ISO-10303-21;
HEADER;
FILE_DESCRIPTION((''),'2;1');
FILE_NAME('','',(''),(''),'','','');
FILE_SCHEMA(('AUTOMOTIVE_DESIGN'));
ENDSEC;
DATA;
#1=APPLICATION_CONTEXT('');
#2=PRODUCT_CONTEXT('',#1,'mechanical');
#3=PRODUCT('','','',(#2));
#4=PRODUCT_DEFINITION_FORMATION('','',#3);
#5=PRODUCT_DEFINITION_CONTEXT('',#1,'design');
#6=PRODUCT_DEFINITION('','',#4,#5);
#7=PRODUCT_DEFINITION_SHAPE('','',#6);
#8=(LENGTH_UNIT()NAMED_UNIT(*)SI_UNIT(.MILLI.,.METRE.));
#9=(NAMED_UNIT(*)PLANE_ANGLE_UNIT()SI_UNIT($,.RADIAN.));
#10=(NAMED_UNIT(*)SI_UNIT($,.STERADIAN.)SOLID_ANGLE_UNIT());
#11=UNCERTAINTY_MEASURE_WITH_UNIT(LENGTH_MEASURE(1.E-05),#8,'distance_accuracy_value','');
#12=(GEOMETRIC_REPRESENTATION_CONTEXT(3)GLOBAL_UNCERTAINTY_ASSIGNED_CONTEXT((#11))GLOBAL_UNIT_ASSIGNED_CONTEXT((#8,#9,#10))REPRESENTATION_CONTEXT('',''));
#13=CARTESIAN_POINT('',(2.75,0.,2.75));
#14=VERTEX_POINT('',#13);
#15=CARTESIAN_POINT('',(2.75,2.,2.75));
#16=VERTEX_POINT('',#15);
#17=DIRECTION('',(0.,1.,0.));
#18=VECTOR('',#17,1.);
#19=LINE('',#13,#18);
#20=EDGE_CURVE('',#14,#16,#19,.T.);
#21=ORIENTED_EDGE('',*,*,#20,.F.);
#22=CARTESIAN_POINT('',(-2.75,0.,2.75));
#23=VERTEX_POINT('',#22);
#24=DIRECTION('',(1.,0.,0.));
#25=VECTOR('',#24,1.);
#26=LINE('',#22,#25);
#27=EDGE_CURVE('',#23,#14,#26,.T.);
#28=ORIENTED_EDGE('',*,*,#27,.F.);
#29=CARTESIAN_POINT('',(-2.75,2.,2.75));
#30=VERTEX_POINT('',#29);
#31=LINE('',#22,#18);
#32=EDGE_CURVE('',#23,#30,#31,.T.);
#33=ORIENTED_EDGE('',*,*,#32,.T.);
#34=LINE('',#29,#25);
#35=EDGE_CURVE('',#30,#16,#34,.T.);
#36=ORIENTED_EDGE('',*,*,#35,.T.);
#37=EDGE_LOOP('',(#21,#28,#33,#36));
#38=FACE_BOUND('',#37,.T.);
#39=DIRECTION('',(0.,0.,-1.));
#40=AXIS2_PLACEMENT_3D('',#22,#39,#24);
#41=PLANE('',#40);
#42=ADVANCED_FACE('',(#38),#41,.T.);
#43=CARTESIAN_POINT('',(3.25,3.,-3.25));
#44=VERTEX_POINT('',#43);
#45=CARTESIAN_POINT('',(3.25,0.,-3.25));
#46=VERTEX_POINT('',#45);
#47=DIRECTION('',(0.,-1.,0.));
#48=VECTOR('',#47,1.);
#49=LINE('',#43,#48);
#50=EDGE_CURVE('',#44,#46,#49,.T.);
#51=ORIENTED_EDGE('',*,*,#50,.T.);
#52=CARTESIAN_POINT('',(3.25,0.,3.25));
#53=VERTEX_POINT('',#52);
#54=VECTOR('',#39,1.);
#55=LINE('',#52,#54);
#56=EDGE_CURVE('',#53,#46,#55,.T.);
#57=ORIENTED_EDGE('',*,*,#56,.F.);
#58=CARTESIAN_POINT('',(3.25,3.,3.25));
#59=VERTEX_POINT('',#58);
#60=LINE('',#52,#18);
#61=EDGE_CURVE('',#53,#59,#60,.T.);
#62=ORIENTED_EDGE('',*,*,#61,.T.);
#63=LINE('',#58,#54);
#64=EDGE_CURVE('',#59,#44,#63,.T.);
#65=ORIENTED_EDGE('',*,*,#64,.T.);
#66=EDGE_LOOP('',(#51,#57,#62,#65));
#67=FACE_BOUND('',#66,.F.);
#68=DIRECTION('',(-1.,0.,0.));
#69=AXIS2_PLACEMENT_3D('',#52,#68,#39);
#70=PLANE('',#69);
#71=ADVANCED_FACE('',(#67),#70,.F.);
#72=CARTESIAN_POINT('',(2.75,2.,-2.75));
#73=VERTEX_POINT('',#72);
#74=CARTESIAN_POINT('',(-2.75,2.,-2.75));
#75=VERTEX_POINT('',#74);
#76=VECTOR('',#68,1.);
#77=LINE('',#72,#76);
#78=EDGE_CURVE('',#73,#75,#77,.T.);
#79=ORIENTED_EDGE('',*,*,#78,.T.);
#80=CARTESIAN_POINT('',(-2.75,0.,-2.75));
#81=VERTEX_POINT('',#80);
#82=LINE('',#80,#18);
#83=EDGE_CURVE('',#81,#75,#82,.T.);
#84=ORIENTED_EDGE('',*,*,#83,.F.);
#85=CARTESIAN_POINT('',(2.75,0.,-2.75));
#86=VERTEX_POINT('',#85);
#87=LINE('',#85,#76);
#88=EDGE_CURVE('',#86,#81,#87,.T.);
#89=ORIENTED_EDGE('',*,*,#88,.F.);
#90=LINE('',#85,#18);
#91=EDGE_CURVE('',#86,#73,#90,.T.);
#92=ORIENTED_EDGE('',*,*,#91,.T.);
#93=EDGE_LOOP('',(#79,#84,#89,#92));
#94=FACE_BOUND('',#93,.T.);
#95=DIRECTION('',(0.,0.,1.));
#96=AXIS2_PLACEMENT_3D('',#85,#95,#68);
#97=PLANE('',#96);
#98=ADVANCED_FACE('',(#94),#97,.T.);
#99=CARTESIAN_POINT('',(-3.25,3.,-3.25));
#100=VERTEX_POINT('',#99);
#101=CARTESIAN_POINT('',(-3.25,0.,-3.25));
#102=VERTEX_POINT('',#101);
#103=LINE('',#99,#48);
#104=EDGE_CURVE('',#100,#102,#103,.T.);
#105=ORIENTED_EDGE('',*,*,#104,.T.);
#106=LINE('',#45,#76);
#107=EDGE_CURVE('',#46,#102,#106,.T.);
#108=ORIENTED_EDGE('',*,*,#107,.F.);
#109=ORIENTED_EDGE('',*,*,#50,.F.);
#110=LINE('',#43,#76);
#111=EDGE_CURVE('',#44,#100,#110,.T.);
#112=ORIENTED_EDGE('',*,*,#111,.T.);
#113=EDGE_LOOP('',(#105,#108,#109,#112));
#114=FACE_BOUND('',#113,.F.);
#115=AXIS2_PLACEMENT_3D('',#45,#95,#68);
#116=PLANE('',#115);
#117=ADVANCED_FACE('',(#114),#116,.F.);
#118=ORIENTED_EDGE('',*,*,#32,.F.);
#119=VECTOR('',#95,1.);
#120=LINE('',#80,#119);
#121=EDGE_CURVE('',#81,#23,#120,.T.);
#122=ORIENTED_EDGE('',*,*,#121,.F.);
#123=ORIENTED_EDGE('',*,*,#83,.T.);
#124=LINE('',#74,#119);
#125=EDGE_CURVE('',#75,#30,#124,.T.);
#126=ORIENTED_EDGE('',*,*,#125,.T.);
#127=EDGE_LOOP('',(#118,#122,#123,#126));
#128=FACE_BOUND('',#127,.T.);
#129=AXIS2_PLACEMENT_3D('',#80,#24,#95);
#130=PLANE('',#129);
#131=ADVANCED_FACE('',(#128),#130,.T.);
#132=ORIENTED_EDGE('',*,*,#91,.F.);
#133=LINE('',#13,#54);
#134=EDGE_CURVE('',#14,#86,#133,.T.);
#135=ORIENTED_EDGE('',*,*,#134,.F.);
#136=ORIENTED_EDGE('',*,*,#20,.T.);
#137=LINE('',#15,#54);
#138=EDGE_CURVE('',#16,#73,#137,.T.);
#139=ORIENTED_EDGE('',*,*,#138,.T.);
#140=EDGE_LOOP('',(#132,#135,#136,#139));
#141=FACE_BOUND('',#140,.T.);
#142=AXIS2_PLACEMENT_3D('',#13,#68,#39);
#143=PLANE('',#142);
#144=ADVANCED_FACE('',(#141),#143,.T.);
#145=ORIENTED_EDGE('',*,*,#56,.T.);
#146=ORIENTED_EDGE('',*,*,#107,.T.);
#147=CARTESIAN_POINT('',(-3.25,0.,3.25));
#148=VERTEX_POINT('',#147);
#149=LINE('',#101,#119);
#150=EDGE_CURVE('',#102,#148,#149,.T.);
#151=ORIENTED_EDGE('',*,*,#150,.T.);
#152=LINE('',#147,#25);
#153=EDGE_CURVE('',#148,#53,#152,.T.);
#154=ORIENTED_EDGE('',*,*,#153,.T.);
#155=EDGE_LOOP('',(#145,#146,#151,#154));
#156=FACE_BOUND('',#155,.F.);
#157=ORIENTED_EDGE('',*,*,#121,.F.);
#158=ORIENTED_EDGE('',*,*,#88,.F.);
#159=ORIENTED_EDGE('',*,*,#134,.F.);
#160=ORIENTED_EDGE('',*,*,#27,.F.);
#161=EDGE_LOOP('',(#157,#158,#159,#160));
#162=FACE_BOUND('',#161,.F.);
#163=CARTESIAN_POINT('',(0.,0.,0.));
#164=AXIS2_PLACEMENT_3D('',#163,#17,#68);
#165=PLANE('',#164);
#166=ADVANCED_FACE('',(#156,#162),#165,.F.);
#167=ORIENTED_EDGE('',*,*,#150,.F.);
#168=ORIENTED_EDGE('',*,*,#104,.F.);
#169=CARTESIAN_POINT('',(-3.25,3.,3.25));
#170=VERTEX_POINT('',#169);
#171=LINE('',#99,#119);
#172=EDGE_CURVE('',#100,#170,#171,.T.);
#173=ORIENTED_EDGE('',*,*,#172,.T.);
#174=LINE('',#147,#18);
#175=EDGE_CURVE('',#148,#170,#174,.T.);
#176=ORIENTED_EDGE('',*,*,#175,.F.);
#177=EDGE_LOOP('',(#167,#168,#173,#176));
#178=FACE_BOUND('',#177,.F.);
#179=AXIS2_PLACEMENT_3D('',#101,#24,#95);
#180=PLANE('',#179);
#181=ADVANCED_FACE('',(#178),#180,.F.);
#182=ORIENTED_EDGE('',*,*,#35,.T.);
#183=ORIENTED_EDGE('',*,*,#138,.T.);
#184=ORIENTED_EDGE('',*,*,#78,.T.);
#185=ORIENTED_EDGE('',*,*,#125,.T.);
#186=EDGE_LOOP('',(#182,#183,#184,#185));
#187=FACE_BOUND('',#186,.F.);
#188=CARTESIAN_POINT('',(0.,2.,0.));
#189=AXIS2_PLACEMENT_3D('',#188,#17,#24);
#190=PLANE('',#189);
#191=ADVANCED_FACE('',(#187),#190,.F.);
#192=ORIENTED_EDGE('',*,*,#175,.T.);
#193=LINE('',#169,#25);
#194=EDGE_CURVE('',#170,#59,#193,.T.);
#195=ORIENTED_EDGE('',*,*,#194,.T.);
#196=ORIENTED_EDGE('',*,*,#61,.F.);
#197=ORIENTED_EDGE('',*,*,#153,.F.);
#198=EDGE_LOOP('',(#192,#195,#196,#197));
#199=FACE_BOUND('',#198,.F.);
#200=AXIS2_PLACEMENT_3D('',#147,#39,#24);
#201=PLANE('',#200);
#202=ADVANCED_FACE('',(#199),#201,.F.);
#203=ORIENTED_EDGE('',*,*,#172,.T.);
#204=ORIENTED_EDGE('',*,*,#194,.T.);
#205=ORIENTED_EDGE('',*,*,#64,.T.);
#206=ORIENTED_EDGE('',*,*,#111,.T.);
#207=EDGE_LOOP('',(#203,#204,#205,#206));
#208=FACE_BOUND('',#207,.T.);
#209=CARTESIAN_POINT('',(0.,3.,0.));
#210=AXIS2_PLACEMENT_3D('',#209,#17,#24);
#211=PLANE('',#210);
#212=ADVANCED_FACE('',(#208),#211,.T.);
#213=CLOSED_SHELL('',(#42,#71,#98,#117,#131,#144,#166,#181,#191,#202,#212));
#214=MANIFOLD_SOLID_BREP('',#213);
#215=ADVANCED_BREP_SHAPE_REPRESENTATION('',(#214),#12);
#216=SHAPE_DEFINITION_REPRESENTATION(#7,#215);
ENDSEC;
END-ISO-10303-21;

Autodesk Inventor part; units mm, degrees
ref_plane "YZ Plane" through (0, 0, 0) normal (1, 0, 0) x (0, 1, 0)
ref_plane "XZ Plane" through (0, 0, 0) normal (0, 1, 0) x (-1, 0, 0)
ref_plane "XY Plane" through (0, 0, 0) normal (0, 0, 1) x (1, 0, 0)
sketch "Sketch2" plane through (0, 0, 0) normal (0, 1, 0) x (-1, 0, 0)
  line L0 (-2.75, -2.75) -> (2.75, -2.75)
  line L1 (2.75, -2.75) -> (2.75, 2.75)
  line L2 (2.75, 2.75) -> (-2.75, 2.75)
  line L3 (-2.75, 2.75) -> (-2.75, -2.75)
  line L4 (-2.75, -2.75) -> (2.75, 2.75) construction
  line L5 (2.75, -2.75) -> (-2.75, 2.75) construction
  line L6 (3.25, 3.25) -> (-3.25, 3.25)
  line L7 (-3.25, 3.25) -> (-3.25, -3.25)
  line L8 (-3.25, -3.25) -> (3.25, -3.25)
  line L9 (3.25, -3.25) -> (3.25, 3.25)
  line L10 (3.25, 3.25) -> (-3.25, -3.25) construction
  line L11 (-3.25, 3.25) -> (3.25, -3.25) construction
  point P0 (0, 0)
  point P1 (3.25, 0)
  point P2 (-3.25, 0)
  point P3 (3.25, 0)
  point P4 (-3.25, 0)
  point P5 (3.25, 0)
  point P6 (2.75, 0)
  point P7 (-2.75, 0)
  dimension "d2" = 5.5
  dimension "d3" = 5.5
  dimension "d6" = 6.5
  dimension "d7" = 6.5
extrude "Extrusion1" add sketch "Sketch2" along normal blind 2
sketch "Sketch4" plane through (0, 2, 0) normal (0, 1, 0) x (1, 0, 0)
  line L0 (-3.25, 3.25) -> (-3.25, -3.25) projected
  line L1 (3.25, -3.25) -> (3.25, 3.25) projected
  line L2 (-3.25, -3.25) -> (3.25, -3.25)
  line L3 (3.25, -3.25) -> (3.25, 3.25)
  line L4 (3.25, 3.25) -> (-3.25, 3.25)
  line L5 (-3.25, 3.25) -> (-3.25, -3.25)
  point P0 (0, 0)
  dimension "d10" = 6.5
extrude "Extrusion2" add sketch "Sketch4" along normal blind 1
sketch "Sketch5" plane through (0, 0, 0) normal (0, -1, 0) x (1, 0, 0)
  line L0 (-3.25, -3.25) -> (-3.25, 3.25) projected
  line L1 (3.25, 3.25) -> (3.25, -3.25) projected
  point P0 (0, 0)
  point P1 (-3.25, 0)
  point P2 (3.25, 0)
properties part number "snapfit_lid_v10"
